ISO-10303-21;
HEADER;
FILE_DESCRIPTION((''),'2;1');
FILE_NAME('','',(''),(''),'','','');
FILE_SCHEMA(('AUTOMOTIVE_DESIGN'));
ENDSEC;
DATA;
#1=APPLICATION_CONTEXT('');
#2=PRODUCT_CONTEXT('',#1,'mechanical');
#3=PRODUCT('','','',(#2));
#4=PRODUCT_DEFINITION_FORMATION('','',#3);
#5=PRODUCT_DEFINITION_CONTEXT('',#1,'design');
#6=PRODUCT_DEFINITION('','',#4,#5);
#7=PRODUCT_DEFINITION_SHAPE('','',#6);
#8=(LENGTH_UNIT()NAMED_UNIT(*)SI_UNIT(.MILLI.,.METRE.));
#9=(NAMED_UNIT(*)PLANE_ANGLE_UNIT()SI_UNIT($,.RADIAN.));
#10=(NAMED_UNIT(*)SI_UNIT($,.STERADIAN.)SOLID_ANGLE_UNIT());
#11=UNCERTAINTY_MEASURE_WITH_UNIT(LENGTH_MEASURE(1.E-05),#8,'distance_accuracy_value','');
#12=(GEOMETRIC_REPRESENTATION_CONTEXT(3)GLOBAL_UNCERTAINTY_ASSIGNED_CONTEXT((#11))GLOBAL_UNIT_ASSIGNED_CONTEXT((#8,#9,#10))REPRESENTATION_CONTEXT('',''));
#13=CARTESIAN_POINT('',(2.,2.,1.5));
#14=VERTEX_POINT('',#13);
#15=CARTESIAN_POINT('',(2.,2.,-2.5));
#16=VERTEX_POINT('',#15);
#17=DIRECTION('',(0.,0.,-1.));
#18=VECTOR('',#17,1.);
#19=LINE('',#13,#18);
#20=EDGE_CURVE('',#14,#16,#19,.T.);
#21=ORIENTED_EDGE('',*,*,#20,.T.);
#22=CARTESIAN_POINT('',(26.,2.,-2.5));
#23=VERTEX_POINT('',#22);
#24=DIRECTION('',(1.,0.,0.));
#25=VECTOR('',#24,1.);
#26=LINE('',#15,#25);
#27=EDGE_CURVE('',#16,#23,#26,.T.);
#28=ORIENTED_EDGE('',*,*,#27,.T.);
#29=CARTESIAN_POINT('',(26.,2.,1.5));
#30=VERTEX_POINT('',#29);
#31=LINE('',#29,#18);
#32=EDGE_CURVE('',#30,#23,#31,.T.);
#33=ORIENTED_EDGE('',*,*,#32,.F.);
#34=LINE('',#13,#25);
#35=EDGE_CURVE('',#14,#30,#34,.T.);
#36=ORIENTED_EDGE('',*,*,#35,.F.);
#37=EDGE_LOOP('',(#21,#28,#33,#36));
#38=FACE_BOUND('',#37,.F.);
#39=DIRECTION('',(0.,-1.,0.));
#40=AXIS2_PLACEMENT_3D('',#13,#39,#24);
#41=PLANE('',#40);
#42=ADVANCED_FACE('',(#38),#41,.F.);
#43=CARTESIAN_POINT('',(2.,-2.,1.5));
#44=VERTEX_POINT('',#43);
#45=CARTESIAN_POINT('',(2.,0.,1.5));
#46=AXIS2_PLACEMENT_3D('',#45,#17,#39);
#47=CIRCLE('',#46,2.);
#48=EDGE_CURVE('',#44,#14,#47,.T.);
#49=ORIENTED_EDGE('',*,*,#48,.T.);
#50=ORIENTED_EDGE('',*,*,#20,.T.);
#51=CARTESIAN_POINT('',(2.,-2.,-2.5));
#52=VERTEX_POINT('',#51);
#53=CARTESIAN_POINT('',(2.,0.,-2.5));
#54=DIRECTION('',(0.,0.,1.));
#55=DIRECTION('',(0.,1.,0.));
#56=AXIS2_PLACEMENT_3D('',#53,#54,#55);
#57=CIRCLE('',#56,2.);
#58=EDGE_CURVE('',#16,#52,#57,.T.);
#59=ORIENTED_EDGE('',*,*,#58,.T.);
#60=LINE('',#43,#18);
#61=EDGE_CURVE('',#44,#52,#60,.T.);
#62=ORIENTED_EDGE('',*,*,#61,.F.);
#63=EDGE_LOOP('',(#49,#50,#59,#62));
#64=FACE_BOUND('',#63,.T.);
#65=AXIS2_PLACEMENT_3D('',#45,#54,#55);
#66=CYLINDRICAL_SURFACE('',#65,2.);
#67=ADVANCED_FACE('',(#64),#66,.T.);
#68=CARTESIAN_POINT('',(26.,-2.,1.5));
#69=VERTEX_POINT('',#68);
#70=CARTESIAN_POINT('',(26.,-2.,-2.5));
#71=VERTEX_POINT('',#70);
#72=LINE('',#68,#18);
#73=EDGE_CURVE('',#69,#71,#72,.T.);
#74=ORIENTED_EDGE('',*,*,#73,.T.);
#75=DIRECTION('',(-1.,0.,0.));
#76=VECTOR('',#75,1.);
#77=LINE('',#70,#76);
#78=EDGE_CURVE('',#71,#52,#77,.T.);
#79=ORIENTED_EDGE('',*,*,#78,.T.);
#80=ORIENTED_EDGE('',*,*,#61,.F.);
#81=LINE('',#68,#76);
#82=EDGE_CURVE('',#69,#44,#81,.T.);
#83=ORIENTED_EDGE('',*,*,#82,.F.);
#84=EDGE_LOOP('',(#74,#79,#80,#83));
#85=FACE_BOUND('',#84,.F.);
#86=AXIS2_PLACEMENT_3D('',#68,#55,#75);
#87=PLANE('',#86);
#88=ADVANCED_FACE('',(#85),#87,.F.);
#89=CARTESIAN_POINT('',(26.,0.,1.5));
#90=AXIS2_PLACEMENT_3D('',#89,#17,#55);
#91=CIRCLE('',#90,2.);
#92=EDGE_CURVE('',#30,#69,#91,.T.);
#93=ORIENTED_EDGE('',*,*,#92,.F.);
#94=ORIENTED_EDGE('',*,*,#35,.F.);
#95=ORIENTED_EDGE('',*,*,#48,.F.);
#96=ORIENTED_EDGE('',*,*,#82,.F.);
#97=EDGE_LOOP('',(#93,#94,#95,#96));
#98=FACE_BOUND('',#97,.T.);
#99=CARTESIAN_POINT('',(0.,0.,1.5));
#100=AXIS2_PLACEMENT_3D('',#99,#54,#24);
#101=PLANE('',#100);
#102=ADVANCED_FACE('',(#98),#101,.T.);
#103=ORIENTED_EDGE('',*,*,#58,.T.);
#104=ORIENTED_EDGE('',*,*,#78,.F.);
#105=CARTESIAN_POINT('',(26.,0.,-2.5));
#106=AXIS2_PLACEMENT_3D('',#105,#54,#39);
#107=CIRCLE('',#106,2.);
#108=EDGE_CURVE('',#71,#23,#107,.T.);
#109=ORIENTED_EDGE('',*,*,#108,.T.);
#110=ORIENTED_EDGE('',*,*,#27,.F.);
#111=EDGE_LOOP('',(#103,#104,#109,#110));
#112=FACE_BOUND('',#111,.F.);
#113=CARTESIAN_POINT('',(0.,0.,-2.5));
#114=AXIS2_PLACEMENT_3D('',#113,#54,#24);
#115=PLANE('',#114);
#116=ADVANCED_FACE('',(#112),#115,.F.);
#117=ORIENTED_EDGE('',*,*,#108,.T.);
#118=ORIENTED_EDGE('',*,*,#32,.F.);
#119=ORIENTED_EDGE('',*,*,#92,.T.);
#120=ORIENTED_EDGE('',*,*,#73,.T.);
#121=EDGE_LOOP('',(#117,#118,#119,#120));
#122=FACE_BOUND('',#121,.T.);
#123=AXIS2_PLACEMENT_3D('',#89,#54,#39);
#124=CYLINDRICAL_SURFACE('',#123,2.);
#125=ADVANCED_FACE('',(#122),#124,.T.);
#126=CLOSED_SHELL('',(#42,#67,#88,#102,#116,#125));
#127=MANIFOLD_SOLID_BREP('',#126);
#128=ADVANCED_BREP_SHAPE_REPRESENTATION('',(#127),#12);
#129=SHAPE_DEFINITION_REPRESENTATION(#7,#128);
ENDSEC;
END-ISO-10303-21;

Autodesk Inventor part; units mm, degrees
sketch "Sketch1" plane through (0, 0, 0) normal (0, 0, 1) x (1, 0, 0)
  line L0 (2, 2) -> (26, 2)
  line L1 (26, -2) -> (2, -2)
  arc A0 (2, 2) -> (2, -2) centre (2, 0) ccw
  line L2 (0, 9.4) -> (0, -7.4) projected
  line L3 (-5, 0) -> (30, 0) projected
  arc A1 (26, -2) -> (26, 2) centre (26, 0) ccw
  line L4 (28, 0) -> (28, 7) construction
  dimension "d0" = 2
  dimension "d8" = 2
  dimension "d9" = 28
ref_plane "Work Plane1" through (0, 0, -2.5) normal (0, 0, 1) x (1, 0, 0)
ref_plane "Work Plane2" through (0, 0, 1.5) normal (0, 0, 1) x (1, 0, 0)
extrude "Body1" add sketch "Sketch1" against normal up to surface (4 mm away) from surface at 1.5
ref_plane "Work Plane3" through (28, 0, 1.5) normal (1, 0, 0) x (0, 1, 0)
equation "\"d0\" = 0.5 * PB"
equation "\"d8\" = 0.5 * PB"
equation "\"d9\" = NLG"
equation "\"d1\" = -PNT"
equation "\"d2\" = PH - PNT"
equation "\"NLG\" = 28"
equation "\"PB\" = 4"
equation "\"PNT\" = 2.5"
equation "\"PH\" = 4"
equation "\"RR\" = 0.001"
equation "\"PHH\" = 0"
equation "\"WDMAX\" = 12"
equation "\"PLB1\" = NLG"
equation "\"PLB2\" = NLG"
equation "\"PUEB\" = 1.8"
properties part number "DIN 6885 - A 4 x 4 x 28" material "Steel, Mild"
